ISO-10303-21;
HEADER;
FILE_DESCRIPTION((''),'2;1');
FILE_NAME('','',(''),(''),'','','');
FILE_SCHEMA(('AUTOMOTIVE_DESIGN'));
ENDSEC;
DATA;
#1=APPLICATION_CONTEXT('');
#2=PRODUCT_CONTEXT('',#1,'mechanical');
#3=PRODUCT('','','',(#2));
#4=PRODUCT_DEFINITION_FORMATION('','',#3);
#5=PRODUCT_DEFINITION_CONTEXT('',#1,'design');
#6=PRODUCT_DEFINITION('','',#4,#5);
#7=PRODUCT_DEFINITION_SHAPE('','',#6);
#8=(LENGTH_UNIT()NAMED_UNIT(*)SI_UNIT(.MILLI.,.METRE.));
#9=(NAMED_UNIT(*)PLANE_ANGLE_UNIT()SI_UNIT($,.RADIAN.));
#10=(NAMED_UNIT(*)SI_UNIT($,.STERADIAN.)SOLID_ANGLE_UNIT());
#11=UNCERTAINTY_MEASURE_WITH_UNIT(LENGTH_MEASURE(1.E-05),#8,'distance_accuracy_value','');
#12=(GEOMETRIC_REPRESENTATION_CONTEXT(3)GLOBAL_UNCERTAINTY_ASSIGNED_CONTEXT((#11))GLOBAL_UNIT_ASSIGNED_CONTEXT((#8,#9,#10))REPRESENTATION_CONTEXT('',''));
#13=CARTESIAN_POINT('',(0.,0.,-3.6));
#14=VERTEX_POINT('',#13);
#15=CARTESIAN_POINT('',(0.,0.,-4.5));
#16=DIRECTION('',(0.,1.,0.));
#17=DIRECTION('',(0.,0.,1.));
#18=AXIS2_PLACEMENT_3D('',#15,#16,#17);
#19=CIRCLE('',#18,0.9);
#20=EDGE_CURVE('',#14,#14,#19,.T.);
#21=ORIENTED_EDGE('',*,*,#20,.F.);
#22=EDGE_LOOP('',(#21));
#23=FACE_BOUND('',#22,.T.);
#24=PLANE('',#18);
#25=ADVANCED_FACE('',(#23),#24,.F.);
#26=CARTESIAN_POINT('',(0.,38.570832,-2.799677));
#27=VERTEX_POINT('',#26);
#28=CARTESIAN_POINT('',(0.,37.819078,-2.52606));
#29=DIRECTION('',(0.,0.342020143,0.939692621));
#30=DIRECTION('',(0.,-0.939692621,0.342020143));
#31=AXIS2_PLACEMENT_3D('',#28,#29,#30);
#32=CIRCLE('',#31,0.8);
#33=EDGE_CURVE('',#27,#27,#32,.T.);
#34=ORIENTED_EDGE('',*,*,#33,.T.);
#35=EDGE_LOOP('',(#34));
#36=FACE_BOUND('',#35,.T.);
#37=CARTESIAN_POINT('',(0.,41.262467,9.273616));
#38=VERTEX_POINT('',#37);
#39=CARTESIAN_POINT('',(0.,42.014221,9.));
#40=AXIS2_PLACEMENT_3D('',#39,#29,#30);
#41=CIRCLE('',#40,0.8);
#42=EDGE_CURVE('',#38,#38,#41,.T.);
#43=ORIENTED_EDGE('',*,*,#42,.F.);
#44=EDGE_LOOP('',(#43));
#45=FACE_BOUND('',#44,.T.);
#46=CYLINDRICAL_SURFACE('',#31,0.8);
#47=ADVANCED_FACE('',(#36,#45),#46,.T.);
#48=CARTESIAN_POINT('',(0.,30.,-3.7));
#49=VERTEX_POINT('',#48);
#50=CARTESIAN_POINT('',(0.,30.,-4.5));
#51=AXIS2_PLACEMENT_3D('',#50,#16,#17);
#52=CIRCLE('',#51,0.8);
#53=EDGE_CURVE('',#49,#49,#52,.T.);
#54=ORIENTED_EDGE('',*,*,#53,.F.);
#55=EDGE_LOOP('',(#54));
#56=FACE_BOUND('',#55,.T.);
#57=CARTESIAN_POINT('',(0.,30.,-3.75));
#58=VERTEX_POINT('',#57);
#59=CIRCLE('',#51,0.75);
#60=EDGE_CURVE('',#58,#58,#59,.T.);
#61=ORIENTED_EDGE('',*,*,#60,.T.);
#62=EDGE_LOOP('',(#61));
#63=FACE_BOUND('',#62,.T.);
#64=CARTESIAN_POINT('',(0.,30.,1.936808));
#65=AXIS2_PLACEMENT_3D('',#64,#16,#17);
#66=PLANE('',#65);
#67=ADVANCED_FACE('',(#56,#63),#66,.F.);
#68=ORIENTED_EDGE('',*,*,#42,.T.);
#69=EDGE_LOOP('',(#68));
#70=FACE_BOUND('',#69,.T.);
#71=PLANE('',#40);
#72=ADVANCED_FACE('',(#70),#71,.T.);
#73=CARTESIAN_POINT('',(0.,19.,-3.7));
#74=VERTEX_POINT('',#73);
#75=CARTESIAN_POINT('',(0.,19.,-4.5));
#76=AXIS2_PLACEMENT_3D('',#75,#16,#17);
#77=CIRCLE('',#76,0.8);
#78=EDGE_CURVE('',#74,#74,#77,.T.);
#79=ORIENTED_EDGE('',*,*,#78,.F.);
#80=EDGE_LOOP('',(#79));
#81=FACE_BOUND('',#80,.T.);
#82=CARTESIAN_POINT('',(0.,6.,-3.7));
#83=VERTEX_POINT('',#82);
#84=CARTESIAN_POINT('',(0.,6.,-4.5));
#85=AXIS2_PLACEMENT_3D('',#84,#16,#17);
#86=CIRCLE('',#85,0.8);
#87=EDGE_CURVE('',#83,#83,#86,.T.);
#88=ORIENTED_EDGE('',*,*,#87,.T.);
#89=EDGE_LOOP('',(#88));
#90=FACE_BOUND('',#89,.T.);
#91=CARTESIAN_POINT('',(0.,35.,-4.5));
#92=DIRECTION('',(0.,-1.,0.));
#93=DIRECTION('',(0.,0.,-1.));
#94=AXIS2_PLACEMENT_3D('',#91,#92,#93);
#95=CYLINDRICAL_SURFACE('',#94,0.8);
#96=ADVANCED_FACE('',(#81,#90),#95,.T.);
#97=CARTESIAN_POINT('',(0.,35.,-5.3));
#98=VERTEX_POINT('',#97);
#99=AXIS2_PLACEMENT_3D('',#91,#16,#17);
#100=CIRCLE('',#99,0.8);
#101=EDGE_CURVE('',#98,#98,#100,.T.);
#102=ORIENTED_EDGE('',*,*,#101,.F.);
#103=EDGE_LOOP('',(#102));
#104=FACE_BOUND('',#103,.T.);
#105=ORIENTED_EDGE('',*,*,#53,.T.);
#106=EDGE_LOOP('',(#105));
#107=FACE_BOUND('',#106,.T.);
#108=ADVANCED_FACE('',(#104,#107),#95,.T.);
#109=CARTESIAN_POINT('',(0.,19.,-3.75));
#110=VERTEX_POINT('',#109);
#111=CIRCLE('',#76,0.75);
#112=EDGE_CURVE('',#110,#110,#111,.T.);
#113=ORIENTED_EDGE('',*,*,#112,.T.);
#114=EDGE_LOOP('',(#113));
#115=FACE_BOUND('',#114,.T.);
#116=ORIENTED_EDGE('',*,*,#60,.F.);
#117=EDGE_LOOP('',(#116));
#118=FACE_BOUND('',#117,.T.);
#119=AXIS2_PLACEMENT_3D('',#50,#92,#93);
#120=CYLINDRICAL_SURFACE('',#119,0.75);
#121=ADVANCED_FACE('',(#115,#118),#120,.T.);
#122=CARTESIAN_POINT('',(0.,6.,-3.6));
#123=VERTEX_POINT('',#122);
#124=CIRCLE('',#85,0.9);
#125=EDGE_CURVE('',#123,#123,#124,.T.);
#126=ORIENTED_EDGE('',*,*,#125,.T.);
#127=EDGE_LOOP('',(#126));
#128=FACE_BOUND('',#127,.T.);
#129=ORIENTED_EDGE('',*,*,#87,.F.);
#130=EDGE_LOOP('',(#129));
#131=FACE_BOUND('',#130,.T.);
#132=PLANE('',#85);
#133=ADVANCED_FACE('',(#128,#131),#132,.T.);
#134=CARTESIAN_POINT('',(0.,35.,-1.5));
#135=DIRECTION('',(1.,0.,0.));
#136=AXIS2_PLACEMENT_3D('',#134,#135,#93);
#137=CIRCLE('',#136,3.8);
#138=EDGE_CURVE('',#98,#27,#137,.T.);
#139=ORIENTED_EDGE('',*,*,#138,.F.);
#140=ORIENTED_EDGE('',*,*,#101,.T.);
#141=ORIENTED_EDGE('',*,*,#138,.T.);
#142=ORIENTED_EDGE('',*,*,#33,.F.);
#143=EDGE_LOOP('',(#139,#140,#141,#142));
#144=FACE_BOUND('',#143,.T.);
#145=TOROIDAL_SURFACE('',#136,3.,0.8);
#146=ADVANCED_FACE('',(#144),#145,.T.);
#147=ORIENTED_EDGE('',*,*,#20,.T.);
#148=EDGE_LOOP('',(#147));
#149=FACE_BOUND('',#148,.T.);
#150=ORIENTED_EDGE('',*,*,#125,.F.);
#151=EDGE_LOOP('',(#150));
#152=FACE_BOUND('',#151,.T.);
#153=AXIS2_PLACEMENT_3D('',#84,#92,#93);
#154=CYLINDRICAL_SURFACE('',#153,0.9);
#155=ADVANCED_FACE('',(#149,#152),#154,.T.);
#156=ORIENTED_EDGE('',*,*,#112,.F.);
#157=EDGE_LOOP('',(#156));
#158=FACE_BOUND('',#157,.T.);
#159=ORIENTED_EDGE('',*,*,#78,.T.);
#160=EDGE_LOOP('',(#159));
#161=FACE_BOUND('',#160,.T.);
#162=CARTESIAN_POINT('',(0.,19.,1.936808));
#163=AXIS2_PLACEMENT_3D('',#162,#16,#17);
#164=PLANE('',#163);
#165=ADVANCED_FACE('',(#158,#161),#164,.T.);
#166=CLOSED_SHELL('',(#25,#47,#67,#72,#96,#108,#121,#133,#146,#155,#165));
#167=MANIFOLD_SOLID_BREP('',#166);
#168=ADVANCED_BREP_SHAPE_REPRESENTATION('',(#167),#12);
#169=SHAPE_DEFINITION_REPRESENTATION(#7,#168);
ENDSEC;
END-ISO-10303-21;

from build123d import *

# Parameters (mm, degrees)
SKETCH2_R         = 0.8
SKETCH4_R         = 0.9
EXTRUDE1_DEPTH    = 6
SKETCH5_OUTSIDE_W = 12.85
SKETCH5_OUTSIDE_H = 25.724
SKETCH5_OUTSIDE_R = 0.75
EXTRUDE3_DEPTH    = 11


with BuildPart() as part:
    # Sweep1: sweep along a path in Sketch1
    with BuildLine(Plane(origin=(0, 0, 0), x_dir=(0, 0, -1), z_dir=(1, 0, 0))) as sweep1_path:
        Line((4.5, 0), (4.5, 35))
        ThreePointArc((4.5, 35), (3.957456133, 36.720729309), (2.52606043, 37.819077862))
        Line((2.52606043, 37.819077862), (-9, 42.014220777))
    # Sketch2 → Sweep1 (sweep)
    with BuildSketch(Plane(origin=(0, 0, 0), x_dir=(1, 0, 0), z_dir=(0, 1, 0))):
        with Locations((0, 4.5)):
            Circle(SKETCH2_R)
    sweep(path=sweep1_path.line)

    # Sketch4 → Extrude1 (add)
    with BuildSketch(Plane(origin=(0, 0, 0), x_dir=(1, 0, 0), z_dir=(0, 1, 0))):
        with Locations((0, 4.5)):
            Circle(SKETCH4_R)
    extrude(amount=EXTRUDE1_DEPTH)

    # Sketch5 outside → Extrude3 (cut)
    with BuildSketch(Plane(origin=(0, 19, 0), x_dir=(-1, 0, 0), z_dir=(0, 1, 0))):
        with Locations((0, 1.937)):
            Rectangle(SKETCH5_OUTSIDE_W, SKETCH5_OUTSIDE_H)
        with Locations((0, -4.5)):
            Circle(SKETCH5_OUTSIDE_R, mode=Mode.SUBTRACT)
    extrude(amount=EXTRUDE3_DEPTH, mode=Mode.SUBTRACT)


solid = part.part
